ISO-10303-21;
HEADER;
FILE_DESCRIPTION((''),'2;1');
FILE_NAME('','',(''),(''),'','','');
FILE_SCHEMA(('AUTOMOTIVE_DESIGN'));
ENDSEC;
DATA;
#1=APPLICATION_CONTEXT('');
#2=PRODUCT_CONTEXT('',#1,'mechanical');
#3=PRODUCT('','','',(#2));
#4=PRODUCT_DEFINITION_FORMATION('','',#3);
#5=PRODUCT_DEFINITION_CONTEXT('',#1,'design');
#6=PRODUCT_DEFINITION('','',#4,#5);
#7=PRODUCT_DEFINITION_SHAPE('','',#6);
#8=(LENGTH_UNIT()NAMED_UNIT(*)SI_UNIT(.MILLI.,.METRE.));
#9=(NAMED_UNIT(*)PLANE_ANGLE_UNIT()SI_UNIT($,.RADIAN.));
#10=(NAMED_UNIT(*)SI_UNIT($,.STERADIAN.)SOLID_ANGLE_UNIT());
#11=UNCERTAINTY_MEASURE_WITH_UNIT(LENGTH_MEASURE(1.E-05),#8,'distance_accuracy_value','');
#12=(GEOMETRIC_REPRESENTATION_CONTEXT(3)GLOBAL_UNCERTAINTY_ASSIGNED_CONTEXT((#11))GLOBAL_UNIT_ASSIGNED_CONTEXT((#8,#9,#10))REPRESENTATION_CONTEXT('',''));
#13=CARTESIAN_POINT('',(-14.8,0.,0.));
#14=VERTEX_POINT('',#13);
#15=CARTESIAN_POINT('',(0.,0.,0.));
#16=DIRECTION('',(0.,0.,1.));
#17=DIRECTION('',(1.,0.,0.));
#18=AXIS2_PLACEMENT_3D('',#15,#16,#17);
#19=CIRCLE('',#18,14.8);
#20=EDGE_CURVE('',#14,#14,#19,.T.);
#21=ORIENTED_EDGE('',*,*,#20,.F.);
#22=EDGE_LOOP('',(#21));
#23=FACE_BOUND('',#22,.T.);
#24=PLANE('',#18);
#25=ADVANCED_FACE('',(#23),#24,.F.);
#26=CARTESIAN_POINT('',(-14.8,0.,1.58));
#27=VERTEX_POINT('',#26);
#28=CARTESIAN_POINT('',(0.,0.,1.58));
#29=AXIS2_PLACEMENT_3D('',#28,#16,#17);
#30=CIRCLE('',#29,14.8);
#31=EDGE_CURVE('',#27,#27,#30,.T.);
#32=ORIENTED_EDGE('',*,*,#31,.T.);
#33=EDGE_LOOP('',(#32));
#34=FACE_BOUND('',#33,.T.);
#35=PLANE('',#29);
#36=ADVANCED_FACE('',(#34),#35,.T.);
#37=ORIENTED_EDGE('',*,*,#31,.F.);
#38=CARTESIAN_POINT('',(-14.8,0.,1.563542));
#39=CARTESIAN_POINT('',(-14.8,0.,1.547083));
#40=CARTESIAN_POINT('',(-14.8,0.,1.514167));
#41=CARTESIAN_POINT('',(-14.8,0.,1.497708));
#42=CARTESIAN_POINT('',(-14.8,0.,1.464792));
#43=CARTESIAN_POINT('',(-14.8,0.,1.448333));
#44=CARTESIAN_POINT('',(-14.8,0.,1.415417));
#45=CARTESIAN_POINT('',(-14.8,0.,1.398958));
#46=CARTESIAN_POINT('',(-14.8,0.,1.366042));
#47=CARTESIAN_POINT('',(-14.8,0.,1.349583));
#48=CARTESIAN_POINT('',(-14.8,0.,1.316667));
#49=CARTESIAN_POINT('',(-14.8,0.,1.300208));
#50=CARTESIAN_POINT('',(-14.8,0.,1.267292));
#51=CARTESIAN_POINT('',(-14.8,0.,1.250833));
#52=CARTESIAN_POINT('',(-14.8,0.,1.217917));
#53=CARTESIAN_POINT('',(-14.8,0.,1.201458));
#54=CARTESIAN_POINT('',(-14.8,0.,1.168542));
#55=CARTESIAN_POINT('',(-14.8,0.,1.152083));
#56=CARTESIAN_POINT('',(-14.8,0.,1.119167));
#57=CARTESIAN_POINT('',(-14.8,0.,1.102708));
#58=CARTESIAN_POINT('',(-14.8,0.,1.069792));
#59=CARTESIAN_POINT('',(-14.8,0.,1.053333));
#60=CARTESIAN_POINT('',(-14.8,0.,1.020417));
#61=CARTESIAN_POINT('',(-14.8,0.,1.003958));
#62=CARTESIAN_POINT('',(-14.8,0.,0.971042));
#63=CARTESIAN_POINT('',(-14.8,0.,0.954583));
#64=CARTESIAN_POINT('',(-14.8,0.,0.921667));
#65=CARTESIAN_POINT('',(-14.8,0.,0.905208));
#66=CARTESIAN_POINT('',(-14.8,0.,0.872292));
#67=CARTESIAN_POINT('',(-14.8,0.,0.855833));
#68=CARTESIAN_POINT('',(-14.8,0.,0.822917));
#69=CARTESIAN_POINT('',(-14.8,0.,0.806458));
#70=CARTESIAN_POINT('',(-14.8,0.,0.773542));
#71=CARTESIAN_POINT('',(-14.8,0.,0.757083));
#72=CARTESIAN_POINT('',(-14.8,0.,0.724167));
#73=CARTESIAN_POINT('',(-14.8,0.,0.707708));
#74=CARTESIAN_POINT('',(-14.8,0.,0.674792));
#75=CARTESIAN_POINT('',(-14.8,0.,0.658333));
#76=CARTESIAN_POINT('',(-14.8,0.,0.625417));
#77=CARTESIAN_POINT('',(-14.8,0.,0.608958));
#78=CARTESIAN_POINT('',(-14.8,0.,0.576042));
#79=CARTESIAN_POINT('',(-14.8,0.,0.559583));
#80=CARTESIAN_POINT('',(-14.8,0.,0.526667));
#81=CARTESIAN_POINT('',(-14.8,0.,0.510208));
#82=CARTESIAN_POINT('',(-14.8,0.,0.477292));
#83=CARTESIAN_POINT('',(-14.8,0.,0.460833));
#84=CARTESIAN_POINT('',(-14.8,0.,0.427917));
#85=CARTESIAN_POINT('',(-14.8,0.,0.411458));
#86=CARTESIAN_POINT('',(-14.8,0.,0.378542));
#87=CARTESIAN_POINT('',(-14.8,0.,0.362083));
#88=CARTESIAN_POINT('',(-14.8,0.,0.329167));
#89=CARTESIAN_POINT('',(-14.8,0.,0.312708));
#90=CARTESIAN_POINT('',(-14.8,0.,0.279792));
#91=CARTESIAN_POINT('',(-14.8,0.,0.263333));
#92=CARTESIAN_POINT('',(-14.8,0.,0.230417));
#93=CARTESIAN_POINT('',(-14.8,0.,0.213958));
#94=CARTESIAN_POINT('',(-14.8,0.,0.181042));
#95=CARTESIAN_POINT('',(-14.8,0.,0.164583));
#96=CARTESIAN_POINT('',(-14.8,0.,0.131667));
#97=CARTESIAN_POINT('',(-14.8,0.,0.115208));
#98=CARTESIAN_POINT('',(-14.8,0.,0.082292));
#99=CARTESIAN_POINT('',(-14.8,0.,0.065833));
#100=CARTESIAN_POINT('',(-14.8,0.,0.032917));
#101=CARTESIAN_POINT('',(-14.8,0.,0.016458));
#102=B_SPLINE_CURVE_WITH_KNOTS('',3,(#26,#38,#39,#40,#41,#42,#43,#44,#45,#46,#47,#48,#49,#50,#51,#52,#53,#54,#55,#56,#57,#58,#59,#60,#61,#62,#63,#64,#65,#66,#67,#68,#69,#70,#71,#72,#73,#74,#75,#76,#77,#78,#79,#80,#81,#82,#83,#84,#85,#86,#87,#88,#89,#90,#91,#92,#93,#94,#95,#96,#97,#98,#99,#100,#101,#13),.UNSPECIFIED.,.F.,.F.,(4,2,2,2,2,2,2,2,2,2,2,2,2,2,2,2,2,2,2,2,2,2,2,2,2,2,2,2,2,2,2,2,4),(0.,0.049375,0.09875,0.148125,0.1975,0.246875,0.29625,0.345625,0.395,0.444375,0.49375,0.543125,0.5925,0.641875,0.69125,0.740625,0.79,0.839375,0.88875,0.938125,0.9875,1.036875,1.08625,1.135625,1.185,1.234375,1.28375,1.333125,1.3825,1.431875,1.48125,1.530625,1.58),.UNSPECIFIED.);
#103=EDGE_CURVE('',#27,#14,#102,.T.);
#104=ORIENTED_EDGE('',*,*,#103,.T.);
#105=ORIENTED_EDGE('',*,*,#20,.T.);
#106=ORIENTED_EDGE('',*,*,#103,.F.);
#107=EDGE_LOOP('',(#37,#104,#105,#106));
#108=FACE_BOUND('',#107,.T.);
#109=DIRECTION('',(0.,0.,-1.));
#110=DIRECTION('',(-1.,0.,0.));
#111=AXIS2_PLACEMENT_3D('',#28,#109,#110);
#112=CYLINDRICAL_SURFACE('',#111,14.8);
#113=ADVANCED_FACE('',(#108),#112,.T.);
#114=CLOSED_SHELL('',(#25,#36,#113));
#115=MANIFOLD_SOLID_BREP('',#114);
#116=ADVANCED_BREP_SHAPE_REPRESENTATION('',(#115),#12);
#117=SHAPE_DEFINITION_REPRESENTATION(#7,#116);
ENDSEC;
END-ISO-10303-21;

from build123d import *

# Parameters (mm, degrees)
SKETCH1_R           = 14.8
BOSS_EXTRUDE1_DEPTH = 1.58


with BuildPart() as part:
    # Sketch1 → Boss-Extrude1 (new body)
    with BuildSketch(Plane.XY):
        with Locations(Location((0, 0, 0), (0, 0, 180))):
            Circle(SKETCH1_R)
    extrude(amount=BOSS_EXTRUDE1_DEPTH)


solid = part.part
